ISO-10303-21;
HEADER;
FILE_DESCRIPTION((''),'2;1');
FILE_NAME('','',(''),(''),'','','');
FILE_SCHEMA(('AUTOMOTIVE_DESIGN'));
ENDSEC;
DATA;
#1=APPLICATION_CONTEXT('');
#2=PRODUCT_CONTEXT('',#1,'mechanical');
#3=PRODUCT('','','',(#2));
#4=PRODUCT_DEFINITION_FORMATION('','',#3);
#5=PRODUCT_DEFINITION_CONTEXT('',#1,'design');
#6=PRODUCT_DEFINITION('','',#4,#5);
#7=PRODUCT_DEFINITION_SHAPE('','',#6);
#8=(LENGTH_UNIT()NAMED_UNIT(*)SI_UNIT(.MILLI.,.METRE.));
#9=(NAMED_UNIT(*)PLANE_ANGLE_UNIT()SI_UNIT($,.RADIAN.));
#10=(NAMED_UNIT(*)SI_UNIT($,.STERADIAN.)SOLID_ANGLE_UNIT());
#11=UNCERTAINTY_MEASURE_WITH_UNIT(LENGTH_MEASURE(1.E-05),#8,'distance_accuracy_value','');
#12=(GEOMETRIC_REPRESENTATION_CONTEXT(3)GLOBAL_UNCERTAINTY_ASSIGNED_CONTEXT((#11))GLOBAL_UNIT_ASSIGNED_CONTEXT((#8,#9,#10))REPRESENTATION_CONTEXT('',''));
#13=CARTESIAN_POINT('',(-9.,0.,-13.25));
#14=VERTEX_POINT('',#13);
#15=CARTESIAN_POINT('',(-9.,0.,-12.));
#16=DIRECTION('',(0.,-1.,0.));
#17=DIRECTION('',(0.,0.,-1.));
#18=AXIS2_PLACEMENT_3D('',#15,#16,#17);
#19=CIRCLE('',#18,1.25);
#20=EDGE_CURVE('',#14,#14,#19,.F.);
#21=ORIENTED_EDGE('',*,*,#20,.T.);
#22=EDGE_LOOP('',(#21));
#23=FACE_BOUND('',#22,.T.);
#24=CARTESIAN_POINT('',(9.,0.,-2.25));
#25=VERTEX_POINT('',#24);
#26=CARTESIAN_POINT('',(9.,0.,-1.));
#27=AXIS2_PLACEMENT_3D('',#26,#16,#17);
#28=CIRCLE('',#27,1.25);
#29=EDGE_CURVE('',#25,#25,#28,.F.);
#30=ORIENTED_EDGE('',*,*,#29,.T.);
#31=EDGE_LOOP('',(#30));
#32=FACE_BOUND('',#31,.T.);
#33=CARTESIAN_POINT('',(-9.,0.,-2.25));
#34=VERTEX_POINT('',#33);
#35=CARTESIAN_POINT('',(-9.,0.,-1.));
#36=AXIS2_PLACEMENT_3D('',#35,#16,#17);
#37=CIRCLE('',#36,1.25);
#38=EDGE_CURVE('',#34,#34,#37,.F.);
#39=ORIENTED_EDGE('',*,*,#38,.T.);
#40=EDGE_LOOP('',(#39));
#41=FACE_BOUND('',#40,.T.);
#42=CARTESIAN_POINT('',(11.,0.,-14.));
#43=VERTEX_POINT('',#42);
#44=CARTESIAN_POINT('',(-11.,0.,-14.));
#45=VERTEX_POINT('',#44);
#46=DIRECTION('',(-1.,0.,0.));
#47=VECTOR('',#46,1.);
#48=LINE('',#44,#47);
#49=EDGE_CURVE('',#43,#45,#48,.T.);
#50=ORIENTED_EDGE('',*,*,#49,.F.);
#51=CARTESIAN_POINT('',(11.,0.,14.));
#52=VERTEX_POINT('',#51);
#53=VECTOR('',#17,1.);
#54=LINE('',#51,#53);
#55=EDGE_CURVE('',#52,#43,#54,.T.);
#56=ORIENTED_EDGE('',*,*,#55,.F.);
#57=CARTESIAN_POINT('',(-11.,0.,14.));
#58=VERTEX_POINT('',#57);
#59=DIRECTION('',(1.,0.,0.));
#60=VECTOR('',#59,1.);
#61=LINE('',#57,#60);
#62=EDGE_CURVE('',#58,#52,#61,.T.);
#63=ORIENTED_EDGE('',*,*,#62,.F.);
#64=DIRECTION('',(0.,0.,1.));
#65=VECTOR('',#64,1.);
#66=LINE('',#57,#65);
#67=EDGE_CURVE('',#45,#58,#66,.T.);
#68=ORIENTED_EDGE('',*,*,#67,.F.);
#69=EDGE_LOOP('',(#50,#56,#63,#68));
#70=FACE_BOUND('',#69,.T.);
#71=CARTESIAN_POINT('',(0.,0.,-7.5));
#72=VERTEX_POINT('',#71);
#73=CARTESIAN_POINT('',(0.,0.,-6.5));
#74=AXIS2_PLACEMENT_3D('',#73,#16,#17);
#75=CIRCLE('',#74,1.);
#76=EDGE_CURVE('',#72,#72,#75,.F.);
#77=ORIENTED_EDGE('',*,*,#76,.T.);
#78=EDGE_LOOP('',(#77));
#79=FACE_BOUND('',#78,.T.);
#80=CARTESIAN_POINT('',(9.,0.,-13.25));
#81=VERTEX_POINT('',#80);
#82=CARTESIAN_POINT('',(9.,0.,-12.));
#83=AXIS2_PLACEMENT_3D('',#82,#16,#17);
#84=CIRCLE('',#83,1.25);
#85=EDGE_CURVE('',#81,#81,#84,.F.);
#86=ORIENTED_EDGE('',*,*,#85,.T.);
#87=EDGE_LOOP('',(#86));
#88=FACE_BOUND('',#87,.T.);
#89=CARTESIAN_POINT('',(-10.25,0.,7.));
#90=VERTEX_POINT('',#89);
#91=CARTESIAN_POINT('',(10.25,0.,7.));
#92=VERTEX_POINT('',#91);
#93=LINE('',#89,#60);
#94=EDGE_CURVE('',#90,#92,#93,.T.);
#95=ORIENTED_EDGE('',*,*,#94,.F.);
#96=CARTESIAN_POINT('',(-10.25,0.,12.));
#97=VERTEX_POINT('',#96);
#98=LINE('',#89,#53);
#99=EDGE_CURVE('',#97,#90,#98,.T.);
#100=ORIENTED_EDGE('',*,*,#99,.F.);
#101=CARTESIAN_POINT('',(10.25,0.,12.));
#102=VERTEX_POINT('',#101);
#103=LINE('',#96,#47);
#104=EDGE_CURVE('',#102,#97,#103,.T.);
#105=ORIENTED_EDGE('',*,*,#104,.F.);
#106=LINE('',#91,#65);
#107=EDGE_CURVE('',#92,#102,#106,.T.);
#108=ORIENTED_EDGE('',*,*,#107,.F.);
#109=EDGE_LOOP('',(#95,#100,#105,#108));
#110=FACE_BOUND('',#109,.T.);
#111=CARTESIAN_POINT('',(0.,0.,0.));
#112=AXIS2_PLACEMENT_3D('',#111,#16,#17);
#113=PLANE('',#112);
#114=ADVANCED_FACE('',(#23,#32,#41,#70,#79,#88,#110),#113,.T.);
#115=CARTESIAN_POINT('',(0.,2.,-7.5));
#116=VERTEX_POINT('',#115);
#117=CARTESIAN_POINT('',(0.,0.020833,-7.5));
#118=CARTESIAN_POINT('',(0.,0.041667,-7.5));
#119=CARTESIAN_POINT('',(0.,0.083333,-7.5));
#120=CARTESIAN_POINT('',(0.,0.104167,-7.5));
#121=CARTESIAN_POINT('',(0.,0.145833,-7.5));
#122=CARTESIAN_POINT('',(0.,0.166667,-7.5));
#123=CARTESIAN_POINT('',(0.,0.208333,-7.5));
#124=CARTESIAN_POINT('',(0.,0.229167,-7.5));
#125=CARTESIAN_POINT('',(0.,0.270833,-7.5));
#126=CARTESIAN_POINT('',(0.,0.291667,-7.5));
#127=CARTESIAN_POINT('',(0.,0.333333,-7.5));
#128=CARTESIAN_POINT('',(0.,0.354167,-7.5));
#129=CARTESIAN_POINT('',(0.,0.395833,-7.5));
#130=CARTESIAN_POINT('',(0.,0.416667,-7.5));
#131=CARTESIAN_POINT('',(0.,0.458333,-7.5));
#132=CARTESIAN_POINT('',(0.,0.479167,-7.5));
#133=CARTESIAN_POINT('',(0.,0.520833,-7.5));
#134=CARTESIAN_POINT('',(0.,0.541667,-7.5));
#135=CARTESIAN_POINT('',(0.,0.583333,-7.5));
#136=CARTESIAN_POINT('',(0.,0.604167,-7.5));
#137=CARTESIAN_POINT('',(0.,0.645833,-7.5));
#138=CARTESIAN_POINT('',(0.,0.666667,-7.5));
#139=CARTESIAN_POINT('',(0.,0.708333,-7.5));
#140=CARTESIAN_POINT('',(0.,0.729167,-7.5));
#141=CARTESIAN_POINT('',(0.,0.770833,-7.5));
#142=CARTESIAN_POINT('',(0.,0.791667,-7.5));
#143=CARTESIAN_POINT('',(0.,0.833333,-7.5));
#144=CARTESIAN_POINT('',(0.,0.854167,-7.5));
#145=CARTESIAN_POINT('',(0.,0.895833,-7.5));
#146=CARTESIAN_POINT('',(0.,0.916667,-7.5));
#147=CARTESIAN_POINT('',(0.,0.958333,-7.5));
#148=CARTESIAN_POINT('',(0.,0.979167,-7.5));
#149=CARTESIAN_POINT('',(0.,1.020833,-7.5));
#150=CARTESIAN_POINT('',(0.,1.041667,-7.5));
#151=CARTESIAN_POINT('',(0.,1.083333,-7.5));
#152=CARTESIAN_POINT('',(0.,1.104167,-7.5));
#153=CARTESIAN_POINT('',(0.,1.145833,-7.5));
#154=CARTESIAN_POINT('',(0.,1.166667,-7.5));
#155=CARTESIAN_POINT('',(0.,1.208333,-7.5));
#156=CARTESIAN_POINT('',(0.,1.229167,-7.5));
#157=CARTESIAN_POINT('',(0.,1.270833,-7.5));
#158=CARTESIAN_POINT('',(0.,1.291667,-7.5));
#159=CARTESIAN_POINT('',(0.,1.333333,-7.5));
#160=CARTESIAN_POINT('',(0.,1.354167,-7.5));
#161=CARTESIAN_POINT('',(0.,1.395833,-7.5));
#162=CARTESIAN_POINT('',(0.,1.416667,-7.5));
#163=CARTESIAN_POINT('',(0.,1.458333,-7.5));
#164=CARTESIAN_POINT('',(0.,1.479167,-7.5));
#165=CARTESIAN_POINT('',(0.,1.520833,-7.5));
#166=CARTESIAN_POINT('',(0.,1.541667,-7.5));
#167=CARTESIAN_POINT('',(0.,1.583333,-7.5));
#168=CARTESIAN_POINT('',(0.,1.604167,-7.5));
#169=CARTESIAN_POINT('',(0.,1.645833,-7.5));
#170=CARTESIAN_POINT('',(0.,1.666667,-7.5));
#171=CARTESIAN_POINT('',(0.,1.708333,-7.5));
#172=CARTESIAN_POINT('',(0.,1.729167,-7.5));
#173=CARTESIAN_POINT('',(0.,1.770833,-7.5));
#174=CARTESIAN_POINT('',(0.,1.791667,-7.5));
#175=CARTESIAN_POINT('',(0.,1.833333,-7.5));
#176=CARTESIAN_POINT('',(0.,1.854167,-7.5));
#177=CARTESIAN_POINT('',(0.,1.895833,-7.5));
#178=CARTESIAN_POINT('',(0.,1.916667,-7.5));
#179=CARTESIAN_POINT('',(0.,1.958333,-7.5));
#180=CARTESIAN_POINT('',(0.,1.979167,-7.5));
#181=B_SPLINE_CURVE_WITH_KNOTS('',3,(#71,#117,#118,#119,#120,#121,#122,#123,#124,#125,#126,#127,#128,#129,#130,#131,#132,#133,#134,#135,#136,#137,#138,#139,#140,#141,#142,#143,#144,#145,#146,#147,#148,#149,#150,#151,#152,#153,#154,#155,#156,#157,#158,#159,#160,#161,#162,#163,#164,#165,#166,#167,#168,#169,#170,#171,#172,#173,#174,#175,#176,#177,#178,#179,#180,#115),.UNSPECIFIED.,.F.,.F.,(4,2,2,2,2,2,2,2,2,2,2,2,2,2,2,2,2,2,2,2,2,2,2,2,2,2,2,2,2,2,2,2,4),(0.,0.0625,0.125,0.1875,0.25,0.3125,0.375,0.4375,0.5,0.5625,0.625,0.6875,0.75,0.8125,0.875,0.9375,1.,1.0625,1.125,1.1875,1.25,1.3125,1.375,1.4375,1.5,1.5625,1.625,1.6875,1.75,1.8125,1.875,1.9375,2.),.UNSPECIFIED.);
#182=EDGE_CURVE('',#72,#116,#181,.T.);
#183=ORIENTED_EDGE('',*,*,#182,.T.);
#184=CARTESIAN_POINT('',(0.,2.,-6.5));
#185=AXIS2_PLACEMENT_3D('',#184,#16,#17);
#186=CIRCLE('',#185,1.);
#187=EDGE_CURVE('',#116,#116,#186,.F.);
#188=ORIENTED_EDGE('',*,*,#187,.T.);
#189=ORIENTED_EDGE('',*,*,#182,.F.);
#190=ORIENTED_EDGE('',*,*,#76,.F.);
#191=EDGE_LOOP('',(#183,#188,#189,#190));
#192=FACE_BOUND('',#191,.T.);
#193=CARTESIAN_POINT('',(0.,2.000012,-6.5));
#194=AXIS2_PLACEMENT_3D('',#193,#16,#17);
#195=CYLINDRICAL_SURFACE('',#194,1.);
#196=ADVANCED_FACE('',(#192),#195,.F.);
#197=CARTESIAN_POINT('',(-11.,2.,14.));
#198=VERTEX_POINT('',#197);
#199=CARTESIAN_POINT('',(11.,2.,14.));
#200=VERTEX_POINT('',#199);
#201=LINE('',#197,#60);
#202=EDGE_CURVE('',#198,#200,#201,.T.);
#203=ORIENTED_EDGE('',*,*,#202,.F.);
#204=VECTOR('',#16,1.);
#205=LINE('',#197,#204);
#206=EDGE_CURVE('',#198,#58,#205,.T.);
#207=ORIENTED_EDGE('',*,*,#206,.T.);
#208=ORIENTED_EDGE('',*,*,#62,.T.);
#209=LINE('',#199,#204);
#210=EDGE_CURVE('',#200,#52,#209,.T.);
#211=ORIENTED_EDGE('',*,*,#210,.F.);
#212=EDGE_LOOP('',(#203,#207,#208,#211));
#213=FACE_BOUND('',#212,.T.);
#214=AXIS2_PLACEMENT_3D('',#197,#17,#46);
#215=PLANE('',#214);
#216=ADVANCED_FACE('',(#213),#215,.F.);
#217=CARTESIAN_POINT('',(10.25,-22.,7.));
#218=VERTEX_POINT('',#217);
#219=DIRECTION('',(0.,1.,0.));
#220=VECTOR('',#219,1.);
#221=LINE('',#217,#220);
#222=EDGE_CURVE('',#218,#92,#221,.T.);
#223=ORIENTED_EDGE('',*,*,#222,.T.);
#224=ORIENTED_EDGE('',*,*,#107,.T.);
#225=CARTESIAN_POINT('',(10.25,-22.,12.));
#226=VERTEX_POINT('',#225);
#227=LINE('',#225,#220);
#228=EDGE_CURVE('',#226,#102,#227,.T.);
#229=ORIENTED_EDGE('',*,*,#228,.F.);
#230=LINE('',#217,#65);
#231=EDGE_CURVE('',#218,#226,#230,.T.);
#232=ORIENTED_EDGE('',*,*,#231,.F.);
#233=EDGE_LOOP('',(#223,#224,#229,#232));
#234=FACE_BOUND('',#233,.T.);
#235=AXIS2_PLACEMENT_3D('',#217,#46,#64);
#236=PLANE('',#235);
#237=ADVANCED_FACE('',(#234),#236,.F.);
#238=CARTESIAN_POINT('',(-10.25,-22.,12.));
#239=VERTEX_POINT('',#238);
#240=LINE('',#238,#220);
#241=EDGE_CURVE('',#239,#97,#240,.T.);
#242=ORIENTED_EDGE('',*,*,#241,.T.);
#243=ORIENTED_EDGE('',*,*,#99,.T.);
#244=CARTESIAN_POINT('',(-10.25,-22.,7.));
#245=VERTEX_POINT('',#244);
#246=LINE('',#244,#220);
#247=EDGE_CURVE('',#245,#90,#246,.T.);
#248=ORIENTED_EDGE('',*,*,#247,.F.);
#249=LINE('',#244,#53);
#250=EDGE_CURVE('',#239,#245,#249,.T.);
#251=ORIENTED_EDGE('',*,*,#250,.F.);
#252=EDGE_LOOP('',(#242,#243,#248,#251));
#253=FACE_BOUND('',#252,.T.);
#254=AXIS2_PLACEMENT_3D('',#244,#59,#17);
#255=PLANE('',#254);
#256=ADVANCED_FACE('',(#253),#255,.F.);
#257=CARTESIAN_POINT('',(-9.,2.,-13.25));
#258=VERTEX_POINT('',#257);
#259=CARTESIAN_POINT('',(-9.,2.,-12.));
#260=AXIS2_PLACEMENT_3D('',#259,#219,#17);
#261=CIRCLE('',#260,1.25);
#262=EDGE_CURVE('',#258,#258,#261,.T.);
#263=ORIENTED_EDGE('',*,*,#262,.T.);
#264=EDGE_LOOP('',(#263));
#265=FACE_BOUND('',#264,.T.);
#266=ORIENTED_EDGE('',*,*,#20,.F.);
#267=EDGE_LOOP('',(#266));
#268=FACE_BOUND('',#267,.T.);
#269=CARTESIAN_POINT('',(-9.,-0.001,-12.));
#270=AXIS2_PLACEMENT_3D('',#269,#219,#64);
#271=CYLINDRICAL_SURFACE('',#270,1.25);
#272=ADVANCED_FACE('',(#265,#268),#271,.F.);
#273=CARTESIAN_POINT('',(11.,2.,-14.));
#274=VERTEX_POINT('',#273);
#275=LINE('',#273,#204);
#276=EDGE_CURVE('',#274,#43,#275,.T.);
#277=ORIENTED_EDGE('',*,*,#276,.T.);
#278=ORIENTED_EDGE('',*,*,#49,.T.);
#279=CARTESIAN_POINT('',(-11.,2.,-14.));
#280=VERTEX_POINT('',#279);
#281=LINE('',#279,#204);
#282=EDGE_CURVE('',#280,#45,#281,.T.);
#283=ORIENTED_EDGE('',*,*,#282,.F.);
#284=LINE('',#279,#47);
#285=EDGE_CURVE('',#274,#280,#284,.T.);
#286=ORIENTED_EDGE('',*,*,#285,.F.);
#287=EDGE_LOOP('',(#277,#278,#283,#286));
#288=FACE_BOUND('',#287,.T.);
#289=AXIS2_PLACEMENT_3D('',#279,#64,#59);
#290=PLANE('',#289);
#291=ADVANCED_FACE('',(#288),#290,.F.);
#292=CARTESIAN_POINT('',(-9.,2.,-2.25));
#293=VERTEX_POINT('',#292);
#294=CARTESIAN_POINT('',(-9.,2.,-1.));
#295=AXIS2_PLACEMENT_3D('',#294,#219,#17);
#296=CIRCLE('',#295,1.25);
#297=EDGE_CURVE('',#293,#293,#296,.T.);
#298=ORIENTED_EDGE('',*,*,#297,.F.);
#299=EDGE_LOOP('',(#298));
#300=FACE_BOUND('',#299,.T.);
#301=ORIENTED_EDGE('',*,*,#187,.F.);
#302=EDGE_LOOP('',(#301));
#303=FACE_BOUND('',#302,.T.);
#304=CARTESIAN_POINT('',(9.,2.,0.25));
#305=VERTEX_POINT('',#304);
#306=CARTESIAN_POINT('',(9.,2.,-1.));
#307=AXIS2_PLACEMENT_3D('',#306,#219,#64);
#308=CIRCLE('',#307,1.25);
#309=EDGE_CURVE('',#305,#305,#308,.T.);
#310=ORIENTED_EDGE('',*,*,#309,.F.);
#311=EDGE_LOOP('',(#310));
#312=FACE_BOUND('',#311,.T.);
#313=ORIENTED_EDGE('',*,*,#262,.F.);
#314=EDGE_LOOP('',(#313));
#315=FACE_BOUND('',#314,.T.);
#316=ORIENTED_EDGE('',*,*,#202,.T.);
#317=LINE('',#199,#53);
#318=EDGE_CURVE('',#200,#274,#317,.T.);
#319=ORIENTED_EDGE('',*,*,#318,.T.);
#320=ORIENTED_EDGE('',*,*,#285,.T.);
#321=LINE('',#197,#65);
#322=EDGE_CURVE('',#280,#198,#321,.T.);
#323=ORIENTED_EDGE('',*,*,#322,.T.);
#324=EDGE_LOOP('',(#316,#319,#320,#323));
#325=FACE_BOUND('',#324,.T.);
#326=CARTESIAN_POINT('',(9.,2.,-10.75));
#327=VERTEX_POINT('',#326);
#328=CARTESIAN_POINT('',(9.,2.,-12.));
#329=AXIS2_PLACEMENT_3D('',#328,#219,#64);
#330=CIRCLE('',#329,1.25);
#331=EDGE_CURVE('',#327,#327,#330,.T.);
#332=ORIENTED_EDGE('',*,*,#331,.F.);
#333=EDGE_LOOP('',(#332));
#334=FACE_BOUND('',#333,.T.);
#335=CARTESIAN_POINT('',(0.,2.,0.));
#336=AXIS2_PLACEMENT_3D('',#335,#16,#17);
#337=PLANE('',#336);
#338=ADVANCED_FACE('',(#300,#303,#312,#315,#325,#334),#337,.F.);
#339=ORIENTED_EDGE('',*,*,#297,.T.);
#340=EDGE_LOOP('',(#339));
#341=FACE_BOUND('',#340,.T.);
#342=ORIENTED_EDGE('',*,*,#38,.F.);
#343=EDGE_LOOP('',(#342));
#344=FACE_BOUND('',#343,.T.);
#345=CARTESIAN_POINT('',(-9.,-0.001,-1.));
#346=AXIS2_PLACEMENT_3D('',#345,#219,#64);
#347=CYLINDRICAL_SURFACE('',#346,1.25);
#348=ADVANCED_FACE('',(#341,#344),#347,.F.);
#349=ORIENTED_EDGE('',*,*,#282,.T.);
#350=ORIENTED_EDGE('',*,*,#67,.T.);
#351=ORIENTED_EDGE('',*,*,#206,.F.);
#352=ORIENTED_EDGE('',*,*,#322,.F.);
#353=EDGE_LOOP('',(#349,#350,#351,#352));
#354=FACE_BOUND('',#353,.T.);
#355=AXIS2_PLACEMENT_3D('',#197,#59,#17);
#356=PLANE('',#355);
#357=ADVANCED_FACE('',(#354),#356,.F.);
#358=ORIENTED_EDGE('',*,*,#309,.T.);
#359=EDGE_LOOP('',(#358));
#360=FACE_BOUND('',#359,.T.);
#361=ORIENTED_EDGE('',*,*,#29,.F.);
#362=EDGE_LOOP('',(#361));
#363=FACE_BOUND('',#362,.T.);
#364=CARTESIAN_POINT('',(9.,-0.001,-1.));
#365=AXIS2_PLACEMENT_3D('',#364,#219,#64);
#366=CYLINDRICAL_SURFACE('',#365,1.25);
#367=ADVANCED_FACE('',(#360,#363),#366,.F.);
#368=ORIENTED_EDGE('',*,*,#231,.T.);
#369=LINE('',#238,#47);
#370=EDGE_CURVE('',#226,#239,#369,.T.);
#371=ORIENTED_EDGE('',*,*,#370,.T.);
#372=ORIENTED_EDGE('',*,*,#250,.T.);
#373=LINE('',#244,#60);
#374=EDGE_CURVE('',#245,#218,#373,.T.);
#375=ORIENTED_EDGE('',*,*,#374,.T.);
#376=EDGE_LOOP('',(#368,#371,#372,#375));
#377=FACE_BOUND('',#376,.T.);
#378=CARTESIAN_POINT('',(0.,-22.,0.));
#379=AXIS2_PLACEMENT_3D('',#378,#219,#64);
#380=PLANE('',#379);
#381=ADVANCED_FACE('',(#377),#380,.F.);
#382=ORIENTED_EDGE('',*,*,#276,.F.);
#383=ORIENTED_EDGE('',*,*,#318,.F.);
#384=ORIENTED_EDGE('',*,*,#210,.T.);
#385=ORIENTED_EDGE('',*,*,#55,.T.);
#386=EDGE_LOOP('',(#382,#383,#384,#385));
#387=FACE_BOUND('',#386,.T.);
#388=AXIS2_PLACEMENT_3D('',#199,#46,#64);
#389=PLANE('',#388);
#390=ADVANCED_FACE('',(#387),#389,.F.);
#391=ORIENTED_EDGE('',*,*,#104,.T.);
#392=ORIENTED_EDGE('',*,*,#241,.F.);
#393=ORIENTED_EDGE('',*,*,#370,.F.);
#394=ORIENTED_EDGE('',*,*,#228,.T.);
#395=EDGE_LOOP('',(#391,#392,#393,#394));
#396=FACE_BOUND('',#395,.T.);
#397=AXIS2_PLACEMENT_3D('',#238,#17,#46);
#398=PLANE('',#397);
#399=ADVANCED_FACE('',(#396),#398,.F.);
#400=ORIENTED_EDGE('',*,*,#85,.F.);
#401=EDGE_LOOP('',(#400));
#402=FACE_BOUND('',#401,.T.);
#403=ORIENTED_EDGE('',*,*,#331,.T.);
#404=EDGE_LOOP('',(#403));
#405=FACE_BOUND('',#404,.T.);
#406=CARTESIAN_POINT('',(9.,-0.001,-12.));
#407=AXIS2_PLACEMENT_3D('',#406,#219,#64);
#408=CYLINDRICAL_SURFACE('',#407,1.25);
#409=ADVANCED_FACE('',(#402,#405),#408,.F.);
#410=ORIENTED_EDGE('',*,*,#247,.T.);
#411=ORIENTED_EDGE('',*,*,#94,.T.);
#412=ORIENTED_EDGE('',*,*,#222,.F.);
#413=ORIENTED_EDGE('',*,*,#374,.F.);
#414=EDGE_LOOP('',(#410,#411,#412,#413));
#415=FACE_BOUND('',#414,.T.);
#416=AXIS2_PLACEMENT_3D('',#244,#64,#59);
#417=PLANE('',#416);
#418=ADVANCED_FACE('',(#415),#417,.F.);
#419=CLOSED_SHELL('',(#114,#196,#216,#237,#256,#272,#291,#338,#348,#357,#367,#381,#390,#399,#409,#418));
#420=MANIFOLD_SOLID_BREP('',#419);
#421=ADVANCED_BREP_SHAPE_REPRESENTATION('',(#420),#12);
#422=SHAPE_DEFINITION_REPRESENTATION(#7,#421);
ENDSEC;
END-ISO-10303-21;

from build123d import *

# Parameters (mm, degrees)
SKETCH_1_W                      = 22
SKETCH_1_H                      = 28
EXTRUDE_1_DEPTH                 = 2
CUT_EXTRUDE_1_REACH             = 19.916
SKETCH_2_R                      = 1.25
SKETCH_3_W                      = 20.5
SKETCH_3_H                      = 5
EXTRUDE_2_DEPTH                 = 22
CUT_EXTRUDE_2_REACH             = 31.883
SKETCH_4_R                      = 1
CUT_EXTRUDE_2_DIRECTION_2_DEPTH = 30.883105595


with BuildPart() as part:
    # 草图1 → 凸台-拉伸1 (new body)
    with BuildSketch(Plane(origin=(0, 0, 0), x_dir=(1, 0, 0), z_dir=(0, 1, 0))):
        Rectangle(SKETCH_1_W, SKETCH_1_H)
    extrude(amount=EXTRUDE_1_DEPTH)

    # 草图2 → 切除-拉伸1 (cut, up to next)
    with BuildSketch(Plane(origin=(0, 2, 0), x_dir=(1, 0, 0), z_dir=(0, 1, 0)), mode=Mode.PRIVATE) as cut_extrude_1_sk1:
        with Locations(Location((9, 12, 0), (0, 0, 270))):
            Circle(SKETCH_2_R)
    cut_extrude_1_tool1 = extrude(cut_extrude_1_sk1.sketch, amount=-CUT_EXTRUDE_1_REACH, mode=Mode.PRIVATE) & part.part
    # 草图2 → 切除-拉伸1 (cut, up to next)
    with BuildSketch(Plane(origin=(0, 2, 0), x_dir=(1, 0, 0), z_dir=(0, 1, 0)), mode=Mode.PRIVATE) as cut_extrude_1_sk2:
        with Locations(Location((-9, 12, 0), (0, 0, 90))):
            Circle(SKETCH_2_R)
    cut_extrude_1_tool2 = extrude(cut_extrude_1_sk2.sketch, amount=-CUT_EXTRUDE_1_REACH, mode=Mode.PRIVATE) & part.part
    # 草图2 → 切除-拉伸1 (cut, up to next)
    with BuildSketch(Plane(origin=(0, 2, 0), x_dir=(1, 0, 0), z_dir=(0, 1, 0)), mode=Mode.PRIVATE) as cut_extrude_1_sk3:
        with Locations(Location((-9, 1, 0), (0, 0, 90))):
            Circle(SKETCH_2_R)
    cut_extrude_1_tool3 = extrude(cut_extrude_1_sk3.sketch, amount=-CUT_EXTRUDE_1_REACH, mode=Mode.PRIVATE) & part.part
    # 草图2 → 切除-拉伸1 (cut, up to next)
    with BuildSketch(Plane(origin=(0, 2, 0), x_dir=(1, 0, 0), z_dir=(0, 1, 0)), mode=Mode.PRIVATE) as cut_extrude_1_sk4:
        with Locations(Location((9, 1, 0), (0, 0, 270))):
            Circle(SKETCH_2_R)
    cut_extrude_1_tool4 = extrude(cut_extrude_1_sk4.sketch, amount=-CUT_EXTRUDE_1_REACH, mode=Mode.PRIVATE) & part.part
    add(cut_extrude_1_tool1.solids().sort_by_distance((9, 2, -12))[0], mode=Mode.SUBTRACT)
    add(cut_extrude_1_tool2.solids().sort_by_distance((-9, 2, -12))[0], mode=Mode.SUBTRACT)
    add(cut_extrude_1_tool3.solids().sort_by_distance((-9, 2, -1))[0], mode=Mode.SUBTRACT)
    add(cut_extrude_1_tool4.solids().sort_by_distance((9, 2, -1))[0], mode=Mode.SUBTRACT)

    # 草图3 → 凸台-拉伸2 (add)
    with BuildSketch(Plane.XZ):
        with Locations((0, 9.5)):
            Rectangle(SKETCH_3_W, SKETCH_3_H)
    extrude(amount=EXTRUDE_2_DEPTH)

    # 草图4 → 切除-拉伸2 (cut, up to next)
    with BuildSketch(Plane(origin=(0, 2, 0), x_dir=(1, 0, 0), z_dir=(0, 1, 0)), mode=Mode.PRIVATE) as cut_extrude_2_sk1:
        with Locations(Location((0, 6.5, 0), (0, 0, 90))):
            Circle(SKETCH_4_R)
    cut_extrude_2_tool1 = extrude(cut_extrude_2_sk1.sketch, amount=-CUT_EXTRUDE_2_REACH, mode=Mode.PRIVATE) & part.part
    add(cut_extrude_2_tool1.solids().sort_by_distance((0, 2, -6.5))[0], mode=Mode.SUBTRACT)

    # 草图4 → 切除-拉伸2 direction 2 (cut)
    with BuildSketch(Plane(origin=(0, 2, 0), x_dir=(1, 0, 0), z_dir=(0, 1, 0))):
        with Locations(Location((0, 6.5, 0), (0, 0, 90))):
            Circle(SKETCH_4_R)
    extrude(amount=CUT_EXTRUDE_2_DIRECTION_2_DEPTH, mode=Mode.SUBTRACT)


solid = part.part
